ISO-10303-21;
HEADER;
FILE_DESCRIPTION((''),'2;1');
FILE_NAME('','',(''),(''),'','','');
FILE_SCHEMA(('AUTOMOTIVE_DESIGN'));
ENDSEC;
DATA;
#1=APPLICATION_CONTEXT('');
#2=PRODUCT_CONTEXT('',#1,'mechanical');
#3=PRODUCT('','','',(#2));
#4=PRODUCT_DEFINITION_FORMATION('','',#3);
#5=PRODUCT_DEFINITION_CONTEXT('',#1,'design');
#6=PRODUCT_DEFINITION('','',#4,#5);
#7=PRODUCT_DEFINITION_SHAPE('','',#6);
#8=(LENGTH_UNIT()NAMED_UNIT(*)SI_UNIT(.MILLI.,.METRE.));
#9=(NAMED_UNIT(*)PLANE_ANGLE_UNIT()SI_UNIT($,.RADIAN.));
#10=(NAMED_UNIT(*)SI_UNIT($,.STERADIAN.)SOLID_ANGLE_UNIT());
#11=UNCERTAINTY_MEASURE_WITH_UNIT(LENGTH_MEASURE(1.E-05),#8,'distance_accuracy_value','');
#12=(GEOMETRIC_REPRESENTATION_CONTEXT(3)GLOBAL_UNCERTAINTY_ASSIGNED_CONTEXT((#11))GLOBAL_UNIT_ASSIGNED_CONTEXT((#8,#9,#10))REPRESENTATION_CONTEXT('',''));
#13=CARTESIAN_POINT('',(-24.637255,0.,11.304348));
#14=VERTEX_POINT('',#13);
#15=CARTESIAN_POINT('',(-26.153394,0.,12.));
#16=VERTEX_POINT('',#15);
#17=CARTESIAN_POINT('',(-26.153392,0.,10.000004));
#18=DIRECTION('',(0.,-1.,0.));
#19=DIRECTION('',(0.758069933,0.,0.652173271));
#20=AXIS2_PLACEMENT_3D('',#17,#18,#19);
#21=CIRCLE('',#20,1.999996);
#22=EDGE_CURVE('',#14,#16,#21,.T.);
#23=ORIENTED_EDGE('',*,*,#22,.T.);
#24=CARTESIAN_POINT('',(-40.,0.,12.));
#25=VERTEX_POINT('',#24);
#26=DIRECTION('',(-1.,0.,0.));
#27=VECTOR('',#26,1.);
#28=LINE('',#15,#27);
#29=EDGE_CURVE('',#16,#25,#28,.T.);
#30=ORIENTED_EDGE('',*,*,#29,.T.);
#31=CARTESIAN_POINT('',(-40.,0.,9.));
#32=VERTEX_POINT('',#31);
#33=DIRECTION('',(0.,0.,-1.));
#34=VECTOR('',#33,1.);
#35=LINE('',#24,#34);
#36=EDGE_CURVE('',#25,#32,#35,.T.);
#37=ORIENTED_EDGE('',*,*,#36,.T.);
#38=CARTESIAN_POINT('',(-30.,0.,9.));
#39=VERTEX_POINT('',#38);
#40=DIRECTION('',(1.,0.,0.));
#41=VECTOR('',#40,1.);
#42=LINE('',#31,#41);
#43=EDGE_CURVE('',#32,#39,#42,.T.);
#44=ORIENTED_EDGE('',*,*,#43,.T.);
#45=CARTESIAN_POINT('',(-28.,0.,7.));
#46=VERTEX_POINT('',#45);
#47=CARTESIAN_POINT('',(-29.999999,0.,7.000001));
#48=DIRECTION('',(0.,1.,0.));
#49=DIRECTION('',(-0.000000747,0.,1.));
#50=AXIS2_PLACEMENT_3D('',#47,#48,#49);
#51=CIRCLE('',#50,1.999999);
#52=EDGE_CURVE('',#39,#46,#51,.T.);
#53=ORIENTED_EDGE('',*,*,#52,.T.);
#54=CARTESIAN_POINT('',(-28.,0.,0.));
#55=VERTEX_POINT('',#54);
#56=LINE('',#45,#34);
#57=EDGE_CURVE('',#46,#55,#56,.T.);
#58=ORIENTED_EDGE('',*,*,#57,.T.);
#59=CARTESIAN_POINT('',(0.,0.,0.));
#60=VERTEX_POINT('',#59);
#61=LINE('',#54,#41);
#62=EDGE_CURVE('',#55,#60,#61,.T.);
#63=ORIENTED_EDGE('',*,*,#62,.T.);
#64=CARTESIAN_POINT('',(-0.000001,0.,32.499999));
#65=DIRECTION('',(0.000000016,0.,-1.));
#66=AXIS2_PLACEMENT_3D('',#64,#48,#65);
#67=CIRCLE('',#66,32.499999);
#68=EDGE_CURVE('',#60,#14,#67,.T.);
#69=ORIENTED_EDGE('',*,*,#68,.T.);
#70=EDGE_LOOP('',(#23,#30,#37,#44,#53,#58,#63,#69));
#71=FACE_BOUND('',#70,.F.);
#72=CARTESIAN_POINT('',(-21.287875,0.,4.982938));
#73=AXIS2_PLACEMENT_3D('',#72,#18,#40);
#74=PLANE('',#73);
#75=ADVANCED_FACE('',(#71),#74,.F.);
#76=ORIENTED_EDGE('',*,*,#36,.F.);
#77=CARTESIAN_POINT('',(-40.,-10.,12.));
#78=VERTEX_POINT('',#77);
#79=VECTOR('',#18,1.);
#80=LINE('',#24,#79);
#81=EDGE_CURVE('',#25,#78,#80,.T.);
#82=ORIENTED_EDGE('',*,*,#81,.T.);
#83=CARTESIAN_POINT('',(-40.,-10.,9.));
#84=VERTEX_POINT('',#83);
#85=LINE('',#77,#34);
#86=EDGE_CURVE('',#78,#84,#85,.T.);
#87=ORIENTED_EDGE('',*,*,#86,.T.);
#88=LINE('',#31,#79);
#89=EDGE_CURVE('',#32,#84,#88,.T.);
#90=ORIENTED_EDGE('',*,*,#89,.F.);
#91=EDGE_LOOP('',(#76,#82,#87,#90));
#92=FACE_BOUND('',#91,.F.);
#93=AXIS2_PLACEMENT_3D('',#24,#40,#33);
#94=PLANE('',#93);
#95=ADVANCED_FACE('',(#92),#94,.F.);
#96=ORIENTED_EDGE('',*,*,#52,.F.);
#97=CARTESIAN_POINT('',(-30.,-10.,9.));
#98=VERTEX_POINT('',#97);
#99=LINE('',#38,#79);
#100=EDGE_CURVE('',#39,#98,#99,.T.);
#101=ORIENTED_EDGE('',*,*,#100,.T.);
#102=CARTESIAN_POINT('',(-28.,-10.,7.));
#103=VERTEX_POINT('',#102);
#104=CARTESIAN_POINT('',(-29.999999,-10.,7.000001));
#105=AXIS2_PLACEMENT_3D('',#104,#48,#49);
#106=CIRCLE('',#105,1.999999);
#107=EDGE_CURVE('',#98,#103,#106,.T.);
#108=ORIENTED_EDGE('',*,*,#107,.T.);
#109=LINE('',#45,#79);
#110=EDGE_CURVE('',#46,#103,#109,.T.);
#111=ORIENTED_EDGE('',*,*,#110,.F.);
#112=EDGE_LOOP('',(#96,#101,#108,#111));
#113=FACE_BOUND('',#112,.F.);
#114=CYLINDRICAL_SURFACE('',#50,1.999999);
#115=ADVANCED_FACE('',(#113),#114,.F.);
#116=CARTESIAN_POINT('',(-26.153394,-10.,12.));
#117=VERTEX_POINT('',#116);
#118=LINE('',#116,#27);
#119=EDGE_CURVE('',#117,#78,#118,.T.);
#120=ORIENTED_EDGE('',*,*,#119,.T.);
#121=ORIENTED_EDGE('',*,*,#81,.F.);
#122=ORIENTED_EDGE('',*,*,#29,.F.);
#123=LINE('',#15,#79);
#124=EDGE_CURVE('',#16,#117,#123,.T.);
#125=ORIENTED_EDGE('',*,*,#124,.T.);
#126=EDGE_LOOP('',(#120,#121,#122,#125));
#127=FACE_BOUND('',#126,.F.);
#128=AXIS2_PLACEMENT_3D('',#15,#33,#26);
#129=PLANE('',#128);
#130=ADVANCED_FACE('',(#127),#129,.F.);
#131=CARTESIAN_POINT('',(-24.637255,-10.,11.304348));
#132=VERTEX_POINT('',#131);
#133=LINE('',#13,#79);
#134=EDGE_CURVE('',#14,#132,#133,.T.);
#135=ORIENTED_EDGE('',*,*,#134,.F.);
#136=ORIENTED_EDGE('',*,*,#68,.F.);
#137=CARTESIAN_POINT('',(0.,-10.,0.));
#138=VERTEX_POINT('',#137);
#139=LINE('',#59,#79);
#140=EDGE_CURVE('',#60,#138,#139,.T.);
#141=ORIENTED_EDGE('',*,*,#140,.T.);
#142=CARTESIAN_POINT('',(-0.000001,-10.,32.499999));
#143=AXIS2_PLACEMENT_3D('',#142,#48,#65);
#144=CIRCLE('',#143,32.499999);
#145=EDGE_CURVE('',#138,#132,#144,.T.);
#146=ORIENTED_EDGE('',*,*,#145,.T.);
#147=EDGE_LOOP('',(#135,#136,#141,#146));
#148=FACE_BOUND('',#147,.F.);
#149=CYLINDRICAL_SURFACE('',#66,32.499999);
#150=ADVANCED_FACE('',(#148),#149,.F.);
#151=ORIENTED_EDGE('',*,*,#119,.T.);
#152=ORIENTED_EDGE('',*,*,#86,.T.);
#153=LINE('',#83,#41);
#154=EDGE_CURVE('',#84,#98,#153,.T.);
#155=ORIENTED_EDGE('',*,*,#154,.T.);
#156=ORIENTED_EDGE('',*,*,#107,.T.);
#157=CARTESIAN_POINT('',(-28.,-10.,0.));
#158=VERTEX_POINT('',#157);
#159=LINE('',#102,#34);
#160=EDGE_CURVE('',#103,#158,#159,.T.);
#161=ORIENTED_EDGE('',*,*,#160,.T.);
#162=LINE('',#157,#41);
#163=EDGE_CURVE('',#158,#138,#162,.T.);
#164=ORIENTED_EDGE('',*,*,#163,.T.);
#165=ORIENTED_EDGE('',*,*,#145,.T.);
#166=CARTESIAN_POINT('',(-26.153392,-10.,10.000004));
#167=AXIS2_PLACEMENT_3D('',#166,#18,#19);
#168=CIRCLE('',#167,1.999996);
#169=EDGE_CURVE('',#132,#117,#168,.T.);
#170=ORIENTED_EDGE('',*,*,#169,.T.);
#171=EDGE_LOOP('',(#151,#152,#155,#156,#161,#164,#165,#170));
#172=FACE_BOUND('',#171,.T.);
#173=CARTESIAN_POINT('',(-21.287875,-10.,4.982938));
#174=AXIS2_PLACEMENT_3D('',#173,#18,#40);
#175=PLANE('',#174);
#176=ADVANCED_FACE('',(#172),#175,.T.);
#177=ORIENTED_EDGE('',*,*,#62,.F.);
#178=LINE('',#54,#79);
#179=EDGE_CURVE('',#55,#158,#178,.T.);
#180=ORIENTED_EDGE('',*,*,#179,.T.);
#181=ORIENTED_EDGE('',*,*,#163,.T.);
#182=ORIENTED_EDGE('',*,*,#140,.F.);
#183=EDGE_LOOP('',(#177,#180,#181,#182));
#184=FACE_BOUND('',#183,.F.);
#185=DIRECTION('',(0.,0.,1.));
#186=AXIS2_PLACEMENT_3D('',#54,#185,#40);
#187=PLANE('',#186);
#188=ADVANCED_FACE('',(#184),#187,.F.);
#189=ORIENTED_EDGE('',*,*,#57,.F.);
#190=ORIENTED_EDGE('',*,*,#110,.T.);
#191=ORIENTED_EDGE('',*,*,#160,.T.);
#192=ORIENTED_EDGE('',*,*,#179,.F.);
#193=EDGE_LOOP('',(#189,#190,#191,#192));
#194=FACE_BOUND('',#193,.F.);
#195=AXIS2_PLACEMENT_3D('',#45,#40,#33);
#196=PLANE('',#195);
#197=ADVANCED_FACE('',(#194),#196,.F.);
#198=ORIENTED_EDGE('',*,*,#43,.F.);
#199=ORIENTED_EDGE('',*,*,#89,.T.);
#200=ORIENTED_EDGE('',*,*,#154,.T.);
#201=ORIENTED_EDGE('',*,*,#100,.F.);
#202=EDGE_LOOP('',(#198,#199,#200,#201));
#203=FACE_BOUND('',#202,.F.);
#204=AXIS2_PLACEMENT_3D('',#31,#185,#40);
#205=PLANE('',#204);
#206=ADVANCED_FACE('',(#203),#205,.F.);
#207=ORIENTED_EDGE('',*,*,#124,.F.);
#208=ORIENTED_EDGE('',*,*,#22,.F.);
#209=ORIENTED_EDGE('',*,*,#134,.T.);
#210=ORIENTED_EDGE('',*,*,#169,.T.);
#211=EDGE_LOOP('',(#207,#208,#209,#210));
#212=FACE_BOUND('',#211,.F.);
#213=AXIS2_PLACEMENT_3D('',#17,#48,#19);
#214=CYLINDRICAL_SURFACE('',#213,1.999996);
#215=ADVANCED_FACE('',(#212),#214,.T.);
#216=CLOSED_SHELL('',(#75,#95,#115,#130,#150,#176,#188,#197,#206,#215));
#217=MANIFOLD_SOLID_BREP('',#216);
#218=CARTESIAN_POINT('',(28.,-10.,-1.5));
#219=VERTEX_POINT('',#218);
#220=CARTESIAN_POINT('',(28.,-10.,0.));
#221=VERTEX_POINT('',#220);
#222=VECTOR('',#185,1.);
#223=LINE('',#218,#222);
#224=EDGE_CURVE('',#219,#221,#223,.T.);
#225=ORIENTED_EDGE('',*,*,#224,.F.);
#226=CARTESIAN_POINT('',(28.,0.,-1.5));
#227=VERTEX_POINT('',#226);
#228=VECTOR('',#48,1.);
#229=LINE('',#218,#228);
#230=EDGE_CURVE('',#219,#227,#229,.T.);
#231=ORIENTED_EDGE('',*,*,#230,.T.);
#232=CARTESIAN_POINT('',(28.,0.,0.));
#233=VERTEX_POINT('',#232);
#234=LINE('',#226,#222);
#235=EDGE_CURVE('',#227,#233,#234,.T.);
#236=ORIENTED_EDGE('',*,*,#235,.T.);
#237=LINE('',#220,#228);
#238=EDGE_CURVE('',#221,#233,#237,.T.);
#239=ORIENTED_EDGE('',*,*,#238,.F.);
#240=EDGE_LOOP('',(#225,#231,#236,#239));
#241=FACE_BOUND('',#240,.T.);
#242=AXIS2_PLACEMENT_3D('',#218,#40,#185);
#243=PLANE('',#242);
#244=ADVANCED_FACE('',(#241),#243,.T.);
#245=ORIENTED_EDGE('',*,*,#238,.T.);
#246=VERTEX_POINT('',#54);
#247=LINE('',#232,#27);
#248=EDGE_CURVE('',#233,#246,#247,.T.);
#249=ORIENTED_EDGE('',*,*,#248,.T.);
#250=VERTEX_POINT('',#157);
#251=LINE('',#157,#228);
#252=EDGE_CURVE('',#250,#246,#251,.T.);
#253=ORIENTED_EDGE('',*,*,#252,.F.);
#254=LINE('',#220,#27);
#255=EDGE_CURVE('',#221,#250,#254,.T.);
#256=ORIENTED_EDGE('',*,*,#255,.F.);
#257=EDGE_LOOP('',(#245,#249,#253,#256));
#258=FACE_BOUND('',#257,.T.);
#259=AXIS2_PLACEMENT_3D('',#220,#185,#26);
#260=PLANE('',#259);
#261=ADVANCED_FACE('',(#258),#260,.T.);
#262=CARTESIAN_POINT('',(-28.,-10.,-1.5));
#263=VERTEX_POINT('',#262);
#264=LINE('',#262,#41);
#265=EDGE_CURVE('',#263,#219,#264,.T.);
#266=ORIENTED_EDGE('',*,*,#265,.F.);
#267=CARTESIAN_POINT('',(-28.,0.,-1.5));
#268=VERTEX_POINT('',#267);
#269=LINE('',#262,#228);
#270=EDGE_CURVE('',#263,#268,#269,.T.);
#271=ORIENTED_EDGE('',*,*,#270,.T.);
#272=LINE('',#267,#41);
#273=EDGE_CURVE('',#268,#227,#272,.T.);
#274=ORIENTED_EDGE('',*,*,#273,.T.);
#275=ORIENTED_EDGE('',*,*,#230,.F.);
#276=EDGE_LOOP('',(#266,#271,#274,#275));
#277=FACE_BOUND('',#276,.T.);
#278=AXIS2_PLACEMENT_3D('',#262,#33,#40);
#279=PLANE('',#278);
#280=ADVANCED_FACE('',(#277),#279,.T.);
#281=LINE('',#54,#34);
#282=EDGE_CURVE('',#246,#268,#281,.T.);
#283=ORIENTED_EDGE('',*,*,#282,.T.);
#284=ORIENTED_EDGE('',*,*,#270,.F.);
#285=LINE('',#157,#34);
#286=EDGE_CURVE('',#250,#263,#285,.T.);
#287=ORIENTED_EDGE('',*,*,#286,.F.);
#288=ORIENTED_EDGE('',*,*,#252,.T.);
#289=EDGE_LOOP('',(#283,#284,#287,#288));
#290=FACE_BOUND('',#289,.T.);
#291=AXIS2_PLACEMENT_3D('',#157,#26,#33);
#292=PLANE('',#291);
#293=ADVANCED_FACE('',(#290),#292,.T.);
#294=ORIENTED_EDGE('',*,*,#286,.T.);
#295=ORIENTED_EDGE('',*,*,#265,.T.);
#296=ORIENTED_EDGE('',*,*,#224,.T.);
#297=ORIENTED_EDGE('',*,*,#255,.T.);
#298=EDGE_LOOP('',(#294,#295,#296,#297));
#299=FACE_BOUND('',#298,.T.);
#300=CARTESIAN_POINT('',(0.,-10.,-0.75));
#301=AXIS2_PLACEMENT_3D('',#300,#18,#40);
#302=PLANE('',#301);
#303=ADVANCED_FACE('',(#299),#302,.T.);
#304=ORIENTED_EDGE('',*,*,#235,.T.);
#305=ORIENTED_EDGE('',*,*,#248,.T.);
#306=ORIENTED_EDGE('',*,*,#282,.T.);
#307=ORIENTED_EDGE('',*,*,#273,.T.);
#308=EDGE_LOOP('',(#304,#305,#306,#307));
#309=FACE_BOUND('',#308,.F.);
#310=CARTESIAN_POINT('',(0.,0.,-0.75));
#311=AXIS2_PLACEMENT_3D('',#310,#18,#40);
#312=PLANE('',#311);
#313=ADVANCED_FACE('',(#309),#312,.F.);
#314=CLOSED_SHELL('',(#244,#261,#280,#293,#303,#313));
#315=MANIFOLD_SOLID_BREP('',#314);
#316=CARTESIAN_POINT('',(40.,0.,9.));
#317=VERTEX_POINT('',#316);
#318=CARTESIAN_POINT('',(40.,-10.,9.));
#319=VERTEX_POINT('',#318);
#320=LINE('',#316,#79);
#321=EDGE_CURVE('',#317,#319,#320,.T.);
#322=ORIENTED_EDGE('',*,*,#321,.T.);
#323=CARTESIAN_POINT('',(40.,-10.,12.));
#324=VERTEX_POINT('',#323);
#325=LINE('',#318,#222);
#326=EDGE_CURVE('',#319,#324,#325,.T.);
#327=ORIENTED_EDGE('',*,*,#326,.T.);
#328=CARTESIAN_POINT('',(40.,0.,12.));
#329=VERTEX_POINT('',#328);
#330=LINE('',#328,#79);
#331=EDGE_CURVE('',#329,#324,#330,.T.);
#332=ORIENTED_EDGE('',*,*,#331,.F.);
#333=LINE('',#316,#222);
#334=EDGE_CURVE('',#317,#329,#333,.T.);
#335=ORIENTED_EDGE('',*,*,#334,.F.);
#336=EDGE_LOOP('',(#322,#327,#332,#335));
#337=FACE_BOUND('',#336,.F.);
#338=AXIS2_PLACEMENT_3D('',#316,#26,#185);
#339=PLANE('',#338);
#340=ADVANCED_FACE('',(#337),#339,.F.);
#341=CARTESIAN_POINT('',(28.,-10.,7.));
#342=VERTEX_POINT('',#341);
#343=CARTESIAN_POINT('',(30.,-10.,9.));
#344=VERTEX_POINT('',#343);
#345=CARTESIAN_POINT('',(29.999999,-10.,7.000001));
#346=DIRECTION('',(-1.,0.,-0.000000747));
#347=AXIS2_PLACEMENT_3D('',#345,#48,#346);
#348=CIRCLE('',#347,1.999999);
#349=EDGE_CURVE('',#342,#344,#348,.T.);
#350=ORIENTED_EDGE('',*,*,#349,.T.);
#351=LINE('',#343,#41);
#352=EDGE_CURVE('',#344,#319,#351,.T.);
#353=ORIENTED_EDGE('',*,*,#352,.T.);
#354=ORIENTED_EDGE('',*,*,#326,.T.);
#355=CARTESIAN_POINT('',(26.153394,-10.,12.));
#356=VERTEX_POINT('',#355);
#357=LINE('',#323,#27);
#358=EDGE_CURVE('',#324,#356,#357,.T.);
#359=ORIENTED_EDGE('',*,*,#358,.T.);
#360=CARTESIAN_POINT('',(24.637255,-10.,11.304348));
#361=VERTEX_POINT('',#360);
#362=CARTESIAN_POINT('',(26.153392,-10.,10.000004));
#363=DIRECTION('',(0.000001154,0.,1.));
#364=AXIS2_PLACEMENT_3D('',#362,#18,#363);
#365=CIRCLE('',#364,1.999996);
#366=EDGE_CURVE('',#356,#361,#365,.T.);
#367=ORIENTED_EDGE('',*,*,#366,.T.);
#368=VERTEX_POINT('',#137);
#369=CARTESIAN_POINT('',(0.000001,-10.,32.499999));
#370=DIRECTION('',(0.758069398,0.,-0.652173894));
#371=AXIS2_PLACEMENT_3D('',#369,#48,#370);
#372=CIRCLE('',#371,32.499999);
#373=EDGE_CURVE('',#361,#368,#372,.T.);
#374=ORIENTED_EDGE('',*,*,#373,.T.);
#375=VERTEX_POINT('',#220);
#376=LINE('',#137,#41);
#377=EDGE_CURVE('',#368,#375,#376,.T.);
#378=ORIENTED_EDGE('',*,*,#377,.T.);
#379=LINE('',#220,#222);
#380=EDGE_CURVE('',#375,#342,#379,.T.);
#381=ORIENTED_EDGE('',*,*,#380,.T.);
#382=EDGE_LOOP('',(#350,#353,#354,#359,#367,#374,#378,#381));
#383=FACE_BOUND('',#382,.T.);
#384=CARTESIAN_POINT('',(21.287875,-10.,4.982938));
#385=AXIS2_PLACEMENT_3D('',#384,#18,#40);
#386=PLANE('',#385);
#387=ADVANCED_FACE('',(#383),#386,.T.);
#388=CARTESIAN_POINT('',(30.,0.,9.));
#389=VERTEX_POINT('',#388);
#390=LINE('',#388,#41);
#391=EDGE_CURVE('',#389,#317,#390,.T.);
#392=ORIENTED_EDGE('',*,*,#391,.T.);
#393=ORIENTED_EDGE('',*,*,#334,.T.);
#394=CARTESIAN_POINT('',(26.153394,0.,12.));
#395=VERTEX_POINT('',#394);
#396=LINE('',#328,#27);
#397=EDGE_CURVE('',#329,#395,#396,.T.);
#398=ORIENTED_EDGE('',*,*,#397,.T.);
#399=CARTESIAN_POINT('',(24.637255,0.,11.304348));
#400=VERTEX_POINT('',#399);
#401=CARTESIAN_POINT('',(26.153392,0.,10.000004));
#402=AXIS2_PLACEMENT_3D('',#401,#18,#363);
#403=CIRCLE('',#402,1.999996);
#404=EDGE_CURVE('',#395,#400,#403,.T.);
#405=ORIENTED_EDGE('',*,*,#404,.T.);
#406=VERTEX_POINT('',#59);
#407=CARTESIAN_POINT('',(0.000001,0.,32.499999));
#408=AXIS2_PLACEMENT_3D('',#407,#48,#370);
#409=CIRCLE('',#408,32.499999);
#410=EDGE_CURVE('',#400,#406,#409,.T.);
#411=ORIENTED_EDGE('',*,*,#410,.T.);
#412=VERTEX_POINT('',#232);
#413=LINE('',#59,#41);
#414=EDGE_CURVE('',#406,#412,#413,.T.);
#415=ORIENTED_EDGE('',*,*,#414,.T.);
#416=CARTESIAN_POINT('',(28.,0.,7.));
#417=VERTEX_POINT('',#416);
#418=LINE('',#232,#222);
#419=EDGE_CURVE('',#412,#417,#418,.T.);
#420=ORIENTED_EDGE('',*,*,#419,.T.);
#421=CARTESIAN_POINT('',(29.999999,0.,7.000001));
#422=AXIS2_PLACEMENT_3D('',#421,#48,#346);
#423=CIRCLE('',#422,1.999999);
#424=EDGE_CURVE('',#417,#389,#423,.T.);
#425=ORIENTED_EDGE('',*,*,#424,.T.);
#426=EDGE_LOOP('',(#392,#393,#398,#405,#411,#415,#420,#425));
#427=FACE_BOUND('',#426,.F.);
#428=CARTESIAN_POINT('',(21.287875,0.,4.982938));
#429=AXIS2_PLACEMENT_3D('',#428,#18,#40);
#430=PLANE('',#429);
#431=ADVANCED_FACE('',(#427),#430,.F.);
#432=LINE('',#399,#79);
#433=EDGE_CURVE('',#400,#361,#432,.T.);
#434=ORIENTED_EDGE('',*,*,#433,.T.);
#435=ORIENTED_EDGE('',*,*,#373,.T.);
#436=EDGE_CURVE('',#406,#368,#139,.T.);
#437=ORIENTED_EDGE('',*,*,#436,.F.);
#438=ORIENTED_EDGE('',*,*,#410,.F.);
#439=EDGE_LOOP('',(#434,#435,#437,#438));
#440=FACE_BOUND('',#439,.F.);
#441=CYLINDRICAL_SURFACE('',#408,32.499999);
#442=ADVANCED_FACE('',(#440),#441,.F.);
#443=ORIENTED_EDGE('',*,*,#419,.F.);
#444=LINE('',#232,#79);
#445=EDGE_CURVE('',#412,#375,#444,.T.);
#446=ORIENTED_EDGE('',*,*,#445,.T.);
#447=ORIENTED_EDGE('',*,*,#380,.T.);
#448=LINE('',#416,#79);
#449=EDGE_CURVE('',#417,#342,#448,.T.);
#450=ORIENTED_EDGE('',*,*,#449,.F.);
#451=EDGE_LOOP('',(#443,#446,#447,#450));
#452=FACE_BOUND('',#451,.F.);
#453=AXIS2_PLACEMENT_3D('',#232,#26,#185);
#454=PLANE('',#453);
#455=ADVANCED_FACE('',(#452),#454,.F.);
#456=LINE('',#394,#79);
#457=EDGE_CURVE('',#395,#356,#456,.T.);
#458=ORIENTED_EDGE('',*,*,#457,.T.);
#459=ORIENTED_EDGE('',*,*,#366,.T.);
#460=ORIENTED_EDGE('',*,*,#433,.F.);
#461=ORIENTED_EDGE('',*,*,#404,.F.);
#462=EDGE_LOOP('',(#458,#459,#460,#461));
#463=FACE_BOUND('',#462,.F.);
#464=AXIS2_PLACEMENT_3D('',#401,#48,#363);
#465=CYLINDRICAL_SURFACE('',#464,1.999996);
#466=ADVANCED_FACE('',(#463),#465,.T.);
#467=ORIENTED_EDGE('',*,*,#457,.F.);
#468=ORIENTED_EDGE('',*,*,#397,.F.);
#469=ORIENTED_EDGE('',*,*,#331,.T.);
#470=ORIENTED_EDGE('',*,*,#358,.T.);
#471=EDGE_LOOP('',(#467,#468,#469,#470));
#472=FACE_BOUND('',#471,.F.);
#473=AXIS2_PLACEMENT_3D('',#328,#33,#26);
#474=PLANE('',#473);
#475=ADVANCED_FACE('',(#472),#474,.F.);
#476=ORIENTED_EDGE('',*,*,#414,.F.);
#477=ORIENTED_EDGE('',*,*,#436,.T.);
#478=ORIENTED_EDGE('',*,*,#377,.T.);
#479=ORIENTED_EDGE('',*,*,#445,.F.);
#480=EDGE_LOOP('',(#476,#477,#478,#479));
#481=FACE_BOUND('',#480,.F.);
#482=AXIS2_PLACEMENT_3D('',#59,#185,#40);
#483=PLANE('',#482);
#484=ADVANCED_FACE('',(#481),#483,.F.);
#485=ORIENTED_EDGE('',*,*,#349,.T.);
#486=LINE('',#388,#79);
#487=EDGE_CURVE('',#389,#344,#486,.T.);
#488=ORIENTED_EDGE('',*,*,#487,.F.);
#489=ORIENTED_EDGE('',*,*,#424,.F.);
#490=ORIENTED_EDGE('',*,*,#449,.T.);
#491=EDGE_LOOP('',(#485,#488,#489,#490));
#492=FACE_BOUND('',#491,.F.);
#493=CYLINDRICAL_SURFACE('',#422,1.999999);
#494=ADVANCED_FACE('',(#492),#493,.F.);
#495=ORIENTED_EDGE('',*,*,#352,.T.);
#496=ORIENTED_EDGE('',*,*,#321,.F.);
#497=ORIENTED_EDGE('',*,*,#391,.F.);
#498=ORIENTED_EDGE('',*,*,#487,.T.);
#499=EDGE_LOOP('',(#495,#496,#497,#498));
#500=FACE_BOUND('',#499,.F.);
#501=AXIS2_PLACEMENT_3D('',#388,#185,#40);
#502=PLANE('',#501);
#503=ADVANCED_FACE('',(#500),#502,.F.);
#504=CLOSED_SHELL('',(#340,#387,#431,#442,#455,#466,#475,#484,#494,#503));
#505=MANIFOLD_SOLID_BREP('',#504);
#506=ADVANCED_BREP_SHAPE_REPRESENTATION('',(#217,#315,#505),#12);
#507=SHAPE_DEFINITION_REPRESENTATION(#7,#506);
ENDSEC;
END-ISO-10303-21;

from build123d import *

# Parameters (mm, degrees)
F1_DEPTH = 10
F3_DEPTH = 10


with BuildPart() as f1:
    # F0 (on Front) → F1 (new body)
    with BuildSketch(Plane.XZ):
        with BuildLine():
            Line((-26.153394, 12), (-40, 12))
            Line((-40, 12), (-40, 9))
            Line((-40, 9), (-30, 9))
            ThreePointArc((-30, 9), (-28.585786, 8.414214), (-28, 7))
            Line((-28, 7), (-28, 0))
            Line((-28, 0), (0, 0))
            ThreePointArc((0, 0), (-13.553437, 2.960969), (-24.637255, 11.304348))
            ThreePointArc((-24.637255, 11.304348), (-25.319336, 11.817787), (-26.153394, 12))
        make_face()
        with BuildLine():
            Line((40, 9), (40, 12))
            Line((40, 12), (26.153394, 12))
            ThreePointArc((26.153394, 12), (25.319336, 11.817787), (24.637255, 11.304348))
            ThreePointArc((24.637255, 11.304348), (13.553437, 2.960969), (0, 0))
            Line((0, 0), (28, 0))
            Line((28, 0), (28, 7))
            ThreePointArc((28, 7), (28.585786, 8.414214), (30, 9))
            Line((30, 9), (40, 9))
        make_face()
    extrude(amount=F1_DEPTH)


with BuildPart() as f3:
    # F2 (on face) → F3 (new body)
    with BuildSketch(Plane.XZ.offset(10)):
        Polygon((0, 0), (-28, 0), (-28, -1.5), (28, -1.5), (28, 0), align=None)
    extrude(amount=-F3_DEPTH)


solid = Compound([f1.part, f3.part])
